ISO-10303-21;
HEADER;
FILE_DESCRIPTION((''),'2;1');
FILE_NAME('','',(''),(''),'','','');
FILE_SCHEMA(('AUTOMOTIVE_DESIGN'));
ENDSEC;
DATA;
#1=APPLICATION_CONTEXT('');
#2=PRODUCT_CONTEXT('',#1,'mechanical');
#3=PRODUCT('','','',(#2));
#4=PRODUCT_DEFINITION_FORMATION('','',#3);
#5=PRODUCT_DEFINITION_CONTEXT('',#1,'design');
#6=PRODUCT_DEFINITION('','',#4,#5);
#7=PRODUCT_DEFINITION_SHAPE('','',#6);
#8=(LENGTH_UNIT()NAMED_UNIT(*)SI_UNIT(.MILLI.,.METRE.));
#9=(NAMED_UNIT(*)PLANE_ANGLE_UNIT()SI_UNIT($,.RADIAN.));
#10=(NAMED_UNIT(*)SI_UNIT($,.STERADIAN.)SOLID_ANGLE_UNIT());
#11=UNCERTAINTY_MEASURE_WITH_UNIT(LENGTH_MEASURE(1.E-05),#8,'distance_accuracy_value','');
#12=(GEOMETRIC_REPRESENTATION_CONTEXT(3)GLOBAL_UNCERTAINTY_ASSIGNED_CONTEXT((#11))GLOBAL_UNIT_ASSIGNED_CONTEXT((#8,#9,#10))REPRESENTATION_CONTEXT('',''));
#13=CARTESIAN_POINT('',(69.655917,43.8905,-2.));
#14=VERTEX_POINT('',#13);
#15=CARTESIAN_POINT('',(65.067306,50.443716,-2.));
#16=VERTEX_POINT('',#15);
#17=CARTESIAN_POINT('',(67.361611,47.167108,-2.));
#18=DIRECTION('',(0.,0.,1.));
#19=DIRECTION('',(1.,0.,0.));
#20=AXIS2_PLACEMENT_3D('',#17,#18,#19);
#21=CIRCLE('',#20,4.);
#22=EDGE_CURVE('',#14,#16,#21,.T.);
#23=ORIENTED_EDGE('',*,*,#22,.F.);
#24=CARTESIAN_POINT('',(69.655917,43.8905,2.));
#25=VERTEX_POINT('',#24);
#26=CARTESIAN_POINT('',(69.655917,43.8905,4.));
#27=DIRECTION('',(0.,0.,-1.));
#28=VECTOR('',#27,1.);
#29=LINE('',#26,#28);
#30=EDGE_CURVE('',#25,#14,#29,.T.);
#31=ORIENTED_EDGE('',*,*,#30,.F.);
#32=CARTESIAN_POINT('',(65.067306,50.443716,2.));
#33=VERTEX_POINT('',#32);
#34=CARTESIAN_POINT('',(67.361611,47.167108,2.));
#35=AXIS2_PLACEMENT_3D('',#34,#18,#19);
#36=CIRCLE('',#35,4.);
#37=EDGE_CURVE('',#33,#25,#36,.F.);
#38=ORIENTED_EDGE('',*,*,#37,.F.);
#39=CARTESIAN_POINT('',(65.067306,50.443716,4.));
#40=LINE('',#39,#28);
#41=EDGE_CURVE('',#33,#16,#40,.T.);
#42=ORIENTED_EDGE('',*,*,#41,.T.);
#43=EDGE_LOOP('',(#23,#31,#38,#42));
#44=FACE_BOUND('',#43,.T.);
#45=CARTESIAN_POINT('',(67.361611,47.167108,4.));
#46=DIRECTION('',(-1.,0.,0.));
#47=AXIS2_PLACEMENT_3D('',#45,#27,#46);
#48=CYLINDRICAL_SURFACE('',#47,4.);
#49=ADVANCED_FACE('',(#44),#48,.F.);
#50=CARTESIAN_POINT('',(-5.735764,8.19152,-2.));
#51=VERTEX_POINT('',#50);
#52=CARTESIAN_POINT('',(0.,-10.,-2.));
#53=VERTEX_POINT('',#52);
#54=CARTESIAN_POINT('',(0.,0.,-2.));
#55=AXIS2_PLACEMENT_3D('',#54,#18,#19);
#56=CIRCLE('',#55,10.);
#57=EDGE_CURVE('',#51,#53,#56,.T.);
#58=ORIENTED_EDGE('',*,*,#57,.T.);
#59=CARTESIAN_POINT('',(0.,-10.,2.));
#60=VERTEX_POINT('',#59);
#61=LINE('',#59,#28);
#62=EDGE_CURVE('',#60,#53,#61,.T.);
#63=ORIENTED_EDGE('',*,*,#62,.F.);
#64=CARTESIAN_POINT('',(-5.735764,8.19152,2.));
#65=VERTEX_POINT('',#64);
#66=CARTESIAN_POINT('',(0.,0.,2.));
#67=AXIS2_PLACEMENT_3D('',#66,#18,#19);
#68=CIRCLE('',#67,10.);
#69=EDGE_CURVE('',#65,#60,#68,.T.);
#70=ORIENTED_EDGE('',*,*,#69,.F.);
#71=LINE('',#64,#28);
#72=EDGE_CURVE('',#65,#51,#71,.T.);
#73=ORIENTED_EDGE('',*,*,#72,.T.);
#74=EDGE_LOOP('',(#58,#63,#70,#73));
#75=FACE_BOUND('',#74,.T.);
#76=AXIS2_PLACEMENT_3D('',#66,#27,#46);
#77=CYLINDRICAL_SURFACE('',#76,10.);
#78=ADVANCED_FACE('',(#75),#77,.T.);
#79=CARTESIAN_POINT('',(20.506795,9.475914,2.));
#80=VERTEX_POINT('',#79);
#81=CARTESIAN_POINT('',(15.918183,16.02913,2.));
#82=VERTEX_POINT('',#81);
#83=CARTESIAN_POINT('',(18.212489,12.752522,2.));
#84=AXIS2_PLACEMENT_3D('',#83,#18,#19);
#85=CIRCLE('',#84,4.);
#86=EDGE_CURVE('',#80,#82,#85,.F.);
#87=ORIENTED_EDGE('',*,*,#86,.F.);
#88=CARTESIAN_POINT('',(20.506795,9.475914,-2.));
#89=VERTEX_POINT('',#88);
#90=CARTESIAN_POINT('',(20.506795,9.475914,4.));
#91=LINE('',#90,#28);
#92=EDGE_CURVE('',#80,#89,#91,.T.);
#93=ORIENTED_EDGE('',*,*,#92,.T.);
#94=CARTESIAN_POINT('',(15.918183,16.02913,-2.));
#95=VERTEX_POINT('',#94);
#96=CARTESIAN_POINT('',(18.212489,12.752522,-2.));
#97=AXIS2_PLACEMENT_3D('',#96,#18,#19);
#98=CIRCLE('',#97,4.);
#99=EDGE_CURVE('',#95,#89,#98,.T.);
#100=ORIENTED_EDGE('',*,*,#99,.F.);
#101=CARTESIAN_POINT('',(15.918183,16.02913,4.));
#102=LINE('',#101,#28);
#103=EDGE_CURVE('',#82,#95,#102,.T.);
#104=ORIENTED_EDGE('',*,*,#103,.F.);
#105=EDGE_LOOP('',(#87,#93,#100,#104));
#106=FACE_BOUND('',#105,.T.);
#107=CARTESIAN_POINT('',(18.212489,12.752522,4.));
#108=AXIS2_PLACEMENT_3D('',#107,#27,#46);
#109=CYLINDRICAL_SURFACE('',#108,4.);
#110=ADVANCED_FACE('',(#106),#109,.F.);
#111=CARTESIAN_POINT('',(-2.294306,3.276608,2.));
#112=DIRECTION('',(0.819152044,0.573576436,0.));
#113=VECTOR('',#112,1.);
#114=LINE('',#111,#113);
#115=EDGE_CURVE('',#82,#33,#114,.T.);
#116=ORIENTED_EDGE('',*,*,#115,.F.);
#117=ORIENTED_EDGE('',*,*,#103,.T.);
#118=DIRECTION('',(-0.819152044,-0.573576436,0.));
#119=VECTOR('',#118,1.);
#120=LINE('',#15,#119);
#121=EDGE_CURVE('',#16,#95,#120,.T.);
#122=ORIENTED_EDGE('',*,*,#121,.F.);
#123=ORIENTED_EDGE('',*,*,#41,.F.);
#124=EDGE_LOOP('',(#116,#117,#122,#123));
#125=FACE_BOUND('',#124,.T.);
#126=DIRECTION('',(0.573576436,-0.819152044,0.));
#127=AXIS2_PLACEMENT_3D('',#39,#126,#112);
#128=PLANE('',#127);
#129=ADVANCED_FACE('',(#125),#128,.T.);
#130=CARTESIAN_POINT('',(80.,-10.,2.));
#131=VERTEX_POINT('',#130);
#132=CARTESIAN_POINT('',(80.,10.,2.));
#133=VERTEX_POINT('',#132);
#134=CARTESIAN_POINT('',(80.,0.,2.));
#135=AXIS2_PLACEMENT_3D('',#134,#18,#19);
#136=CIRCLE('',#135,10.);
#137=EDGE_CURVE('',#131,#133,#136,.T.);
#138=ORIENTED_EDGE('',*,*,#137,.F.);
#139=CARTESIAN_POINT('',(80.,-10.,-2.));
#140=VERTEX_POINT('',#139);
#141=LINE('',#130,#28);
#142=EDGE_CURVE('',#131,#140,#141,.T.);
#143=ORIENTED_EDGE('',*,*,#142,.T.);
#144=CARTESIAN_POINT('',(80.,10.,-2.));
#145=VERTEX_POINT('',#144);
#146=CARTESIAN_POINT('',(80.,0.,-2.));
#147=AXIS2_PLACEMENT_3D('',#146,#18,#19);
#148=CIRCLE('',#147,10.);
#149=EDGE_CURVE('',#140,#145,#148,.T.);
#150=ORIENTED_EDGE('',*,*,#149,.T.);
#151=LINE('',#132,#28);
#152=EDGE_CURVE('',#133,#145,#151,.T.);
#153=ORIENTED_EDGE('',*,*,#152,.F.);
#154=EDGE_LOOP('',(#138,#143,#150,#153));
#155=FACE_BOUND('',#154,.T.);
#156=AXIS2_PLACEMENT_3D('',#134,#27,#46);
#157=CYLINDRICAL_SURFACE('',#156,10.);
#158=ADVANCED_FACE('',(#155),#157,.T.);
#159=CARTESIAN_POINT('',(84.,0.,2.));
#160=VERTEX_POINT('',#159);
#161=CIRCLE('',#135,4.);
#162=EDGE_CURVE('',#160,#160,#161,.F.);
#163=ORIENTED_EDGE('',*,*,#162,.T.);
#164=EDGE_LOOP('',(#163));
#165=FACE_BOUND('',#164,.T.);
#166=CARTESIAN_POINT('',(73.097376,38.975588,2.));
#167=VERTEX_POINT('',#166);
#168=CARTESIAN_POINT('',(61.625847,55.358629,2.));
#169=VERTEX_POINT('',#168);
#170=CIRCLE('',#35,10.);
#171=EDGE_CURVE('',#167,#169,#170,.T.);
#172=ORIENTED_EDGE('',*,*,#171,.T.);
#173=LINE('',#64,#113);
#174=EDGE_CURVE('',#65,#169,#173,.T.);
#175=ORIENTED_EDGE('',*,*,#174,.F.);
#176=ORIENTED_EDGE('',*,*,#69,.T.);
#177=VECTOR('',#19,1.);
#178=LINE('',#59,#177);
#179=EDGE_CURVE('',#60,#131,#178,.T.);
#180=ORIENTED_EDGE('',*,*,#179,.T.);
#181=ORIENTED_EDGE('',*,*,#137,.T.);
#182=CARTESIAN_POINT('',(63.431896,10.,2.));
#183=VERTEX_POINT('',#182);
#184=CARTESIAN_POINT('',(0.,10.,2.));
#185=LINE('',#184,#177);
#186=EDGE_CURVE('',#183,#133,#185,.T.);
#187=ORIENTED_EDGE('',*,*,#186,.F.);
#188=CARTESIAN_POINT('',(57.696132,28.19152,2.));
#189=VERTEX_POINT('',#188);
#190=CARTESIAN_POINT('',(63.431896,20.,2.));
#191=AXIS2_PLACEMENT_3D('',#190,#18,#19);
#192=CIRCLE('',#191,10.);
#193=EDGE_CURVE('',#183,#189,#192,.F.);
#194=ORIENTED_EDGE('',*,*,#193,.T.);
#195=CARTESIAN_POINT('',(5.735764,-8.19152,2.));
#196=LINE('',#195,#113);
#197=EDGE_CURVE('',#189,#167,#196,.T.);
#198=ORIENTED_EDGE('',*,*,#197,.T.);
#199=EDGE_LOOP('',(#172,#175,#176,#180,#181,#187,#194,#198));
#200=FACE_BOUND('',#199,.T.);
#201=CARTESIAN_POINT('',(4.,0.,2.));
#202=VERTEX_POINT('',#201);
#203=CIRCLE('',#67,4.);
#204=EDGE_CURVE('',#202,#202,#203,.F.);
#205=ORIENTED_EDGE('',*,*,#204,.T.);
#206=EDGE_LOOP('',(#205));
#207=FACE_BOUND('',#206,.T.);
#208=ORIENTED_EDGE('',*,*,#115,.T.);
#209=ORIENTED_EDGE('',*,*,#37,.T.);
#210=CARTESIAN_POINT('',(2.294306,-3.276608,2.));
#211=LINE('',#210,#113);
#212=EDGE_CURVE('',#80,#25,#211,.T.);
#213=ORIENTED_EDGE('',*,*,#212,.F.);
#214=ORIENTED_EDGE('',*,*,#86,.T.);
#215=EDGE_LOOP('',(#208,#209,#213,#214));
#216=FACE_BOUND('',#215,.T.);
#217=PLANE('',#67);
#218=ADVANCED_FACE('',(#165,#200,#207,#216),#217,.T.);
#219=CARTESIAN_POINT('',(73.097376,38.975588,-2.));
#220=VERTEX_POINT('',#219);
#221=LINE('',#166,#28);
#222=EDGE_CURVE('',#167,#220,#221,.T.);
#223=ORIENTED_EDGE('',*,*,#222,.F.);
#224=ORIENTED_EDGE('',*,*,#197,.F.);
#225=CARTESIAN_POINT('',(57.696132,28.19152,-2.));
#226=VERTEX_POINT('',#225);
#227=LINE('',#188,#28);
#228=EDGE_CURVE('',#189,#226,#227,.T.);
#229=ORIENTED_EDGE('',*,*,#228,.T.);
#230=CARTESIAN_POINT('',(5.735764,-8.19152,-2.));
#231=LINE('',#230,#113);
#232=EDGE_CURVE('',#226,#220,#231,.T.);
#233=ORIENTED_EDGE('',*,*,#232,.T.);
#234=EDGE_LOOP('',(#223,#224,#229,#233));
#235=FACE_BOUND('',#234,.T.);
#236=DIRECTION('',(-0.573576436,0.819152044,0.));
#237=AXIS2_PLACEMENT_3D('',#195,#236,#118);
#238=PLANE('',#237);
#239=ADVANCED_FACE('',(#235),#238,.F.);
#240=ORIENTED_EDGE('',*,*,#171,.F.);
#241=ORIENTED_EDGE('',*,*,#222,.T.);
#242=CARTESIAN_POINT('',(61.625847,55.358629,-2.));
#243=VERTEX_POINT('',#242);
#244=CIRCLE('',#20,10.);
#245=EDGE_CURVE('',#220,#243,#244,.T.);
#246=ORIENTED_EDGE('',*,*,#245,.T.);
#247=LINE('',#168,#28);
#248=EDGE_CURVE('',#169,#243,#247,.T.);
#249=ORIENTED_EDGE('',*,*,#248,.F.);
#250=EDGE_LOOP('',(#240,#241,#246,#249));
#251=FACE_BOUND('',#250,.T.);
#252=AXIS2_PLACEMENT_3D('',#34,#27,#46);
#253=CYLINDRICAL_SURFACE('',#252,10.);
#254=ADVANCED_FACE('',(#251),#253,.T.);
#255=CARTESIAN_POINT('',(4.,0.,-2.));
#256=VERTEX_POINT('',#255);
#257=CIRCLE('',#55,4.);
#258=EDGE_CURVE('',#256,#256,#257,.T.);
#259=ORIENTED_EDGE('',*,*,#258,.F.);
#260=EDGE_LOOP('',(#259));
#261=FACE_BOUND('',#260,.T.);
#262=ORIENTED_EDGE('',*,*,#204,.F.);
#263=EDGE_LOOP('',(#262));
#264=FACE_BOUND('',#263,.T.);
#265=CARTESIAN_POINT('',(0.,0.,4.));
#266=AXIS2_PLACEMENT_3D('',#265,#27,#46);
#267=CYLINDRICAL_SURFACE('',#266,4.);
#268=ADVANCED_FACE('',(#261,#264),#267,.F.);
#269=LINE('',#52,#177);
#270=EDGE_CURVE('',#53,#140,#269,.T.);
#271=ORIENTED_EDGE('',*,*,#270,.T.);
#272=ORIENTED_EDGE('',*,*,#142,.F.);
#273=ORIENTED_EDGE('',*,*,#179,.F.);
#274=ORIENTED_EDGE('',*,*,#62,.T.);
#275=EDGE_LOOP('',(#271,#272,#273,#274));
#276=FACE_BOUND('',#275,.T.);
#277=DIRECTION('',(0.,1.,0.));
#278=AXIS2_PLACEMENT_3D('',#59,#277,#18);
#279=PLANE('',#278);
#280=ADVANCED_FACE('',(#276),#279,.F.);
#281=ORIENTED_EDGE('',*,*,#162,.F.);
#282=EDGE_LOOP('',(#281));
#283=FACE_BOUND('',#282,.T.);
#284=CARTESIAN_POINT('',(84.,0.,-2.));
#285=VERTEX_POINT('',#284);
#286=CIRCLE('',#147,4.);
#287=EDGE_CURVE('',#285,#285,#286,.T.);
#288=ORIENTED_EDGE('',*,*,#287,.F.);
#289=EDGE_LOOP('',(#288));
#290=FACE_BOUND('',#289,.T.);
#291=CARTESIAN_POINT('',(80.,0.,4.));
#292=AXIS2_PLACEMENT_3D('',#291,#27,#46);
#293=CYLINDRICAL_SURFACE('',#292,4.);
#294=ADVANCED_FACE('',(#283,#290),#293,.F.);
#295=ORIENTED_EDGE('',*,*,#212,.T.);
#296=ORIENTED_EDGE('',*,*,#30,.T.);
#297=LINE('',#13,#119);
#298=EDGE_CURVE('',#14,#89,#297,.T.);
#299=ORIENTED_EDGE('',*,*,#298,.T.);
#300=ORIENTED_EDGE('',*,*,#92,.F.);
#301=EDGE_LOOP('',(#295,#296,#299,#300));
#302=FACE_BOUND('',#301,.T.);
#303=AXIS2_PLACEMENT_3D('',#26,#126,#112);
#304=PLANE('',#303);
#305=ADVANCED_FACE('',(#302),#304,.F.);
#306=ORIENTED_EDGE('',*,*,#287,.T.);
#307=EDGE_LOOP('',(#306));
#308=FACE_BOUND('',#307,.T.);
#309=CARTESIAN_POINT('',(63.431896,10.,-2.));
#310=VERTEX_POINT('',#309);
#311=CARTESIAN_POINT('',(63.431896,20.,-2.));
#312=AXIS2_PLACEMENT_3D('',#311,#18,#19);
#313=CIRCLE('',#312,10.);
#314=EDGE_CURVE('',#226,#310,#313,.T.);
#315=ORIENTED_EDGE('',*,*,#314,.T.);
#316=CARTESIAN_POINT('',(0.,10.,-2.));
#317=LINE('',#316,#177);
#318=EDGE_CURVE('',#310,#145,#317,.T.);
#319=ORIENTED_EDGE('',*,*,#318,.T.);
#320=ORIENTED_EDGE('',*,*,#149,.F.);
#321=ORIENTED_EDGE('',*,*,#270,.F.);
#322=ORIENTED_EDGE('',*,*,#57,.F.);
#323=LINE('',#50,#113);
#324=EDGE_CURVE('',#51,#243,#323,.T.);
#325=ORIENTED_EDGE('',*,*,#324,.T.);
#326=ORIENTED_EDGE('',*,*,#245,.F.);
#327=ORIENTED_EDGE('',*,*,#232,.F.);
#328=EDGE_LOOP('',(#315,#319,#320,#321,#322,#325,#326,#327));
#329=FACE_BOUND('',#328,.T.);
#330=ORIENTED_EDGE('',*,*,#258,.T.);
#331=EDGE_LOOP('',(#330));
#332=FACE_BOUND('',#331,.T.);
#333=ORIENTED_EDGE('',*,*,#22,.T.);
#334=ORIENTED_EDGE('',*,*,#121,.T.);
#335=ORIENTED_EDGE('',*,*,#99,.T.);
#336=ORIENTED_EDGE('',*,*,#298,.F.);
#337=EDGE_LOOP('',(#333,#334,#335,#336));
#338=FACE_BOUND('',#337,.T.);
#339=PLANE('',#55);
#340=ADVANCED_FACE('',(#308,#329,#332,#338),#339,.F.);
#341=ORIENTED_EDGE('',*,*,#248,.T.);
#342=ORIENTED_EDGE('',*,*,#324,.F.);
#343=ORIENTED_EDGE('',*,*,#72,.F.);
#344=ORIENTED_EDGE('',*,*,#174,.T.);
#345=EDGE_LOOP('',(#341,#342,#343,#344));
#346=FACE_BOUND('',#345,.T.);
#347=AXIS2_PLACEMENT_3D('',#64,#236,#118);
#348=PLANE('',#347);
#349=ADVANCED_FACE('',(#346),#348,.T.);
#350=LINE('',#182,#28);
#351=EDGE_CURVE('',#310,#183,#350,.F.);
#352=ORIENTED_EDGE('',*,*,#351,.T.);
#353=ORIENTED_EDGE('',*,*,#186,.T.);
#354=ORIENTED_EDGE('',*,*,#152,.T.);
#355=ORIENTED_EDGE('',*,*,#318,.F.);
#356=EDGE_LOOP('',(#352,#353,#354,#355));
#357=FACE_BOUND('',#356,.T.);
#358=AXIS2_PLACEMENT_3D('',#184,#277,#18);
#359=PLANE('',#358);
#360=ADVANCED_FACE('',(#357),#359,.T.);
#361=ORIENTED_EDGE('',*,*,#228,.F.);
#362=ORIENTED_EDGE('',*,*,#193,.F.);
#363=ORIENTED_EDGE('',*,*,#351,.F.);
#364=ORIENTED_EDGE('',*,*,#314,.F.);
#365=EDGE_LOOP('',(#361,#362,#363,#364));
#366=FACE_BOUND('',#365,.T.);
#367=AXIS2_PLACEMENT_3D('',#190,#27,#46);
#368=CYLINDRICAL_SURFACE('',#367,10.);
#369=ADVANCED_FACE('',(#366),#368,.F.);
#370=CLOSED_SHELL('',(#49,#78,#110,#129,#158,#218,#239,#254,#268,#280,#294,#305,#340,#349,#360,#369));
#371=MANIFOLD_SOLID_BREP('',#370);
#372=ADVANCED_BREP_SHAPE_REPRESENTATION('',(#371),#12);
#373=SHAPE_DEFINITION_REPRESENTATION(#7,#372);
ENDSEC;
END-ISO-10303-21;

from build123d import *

# Parameters (mm, degrees)
BOSS_EXTRUDE1_DEPTH     = 2
CUT_EXTRUDE1_DEPTH      = 4
CUT_EXTRUDE1_DEPTH_BACK = 107.639946795
SKETCH2_R               = 4
FILLET1_R               = 10


with BuildPart() as part:
    # Sketch1 → Boss-Extrude1 (new, symmetric)
    with BuildSketch(Plane.XY):
        with BuildLine():
            Line((61.625847103, 55.358628577), (-5.735764364, 8.191520443))
            ThreePointArc((-5.735764364, 8.191520443), (-3.007057995, 9.537169507), (0, 10))
            Line((0, 10), (31.715948024, 10))
            Line((31.715948024, 10), (73.09737583, 38.975587692))
            ThreePointArc((73.09737583, 38.975587692), (75.553131909, 52.902872498), (61.625847103, 55.358628577))
        make_face()
        with BuildLine():
            ThreePointArc((0, 10), (-3.007057995, 9.537169507), (-5.735764364, 8.191520443))
            ThreePointArc((-5.735764364, 8.191520443), (-9.537169507, -3.007057995), (0, -10))
            ThreePointArc((0, -10), (3.007057995, -9.537169507), (5.735764364, -8.191520443))
            Line((5.735764364, -8.191520443), (31.715948024, 10))
            Line((31.715948024, 10), (0, 10))
        make_face()
        with BuildLine():
            ThreePointArc((5.735764364, -8.191520443), (3.007057995, -9.537169507), (0, -10))
            Line((0, -10), (80, -10))
            ThreePointArc((80, -10), (90, 0), (80, 10))
            Line((80, 10), (31.715948024, 10))
            Line((31.715948024, 10), (5.735764364, -8.191520443))
        make_face()
    extrude(amount=BOSS_EXTRUDE1_DEPTH, both=True)

    # Sketch2 → Cut-Extrude1 (cut, two sides: drawn at the far end of the back side and taken through both)
    with BuildSketch(Plane.XY.offset(-CUT_EXTRUDE1_DEPTH_BACK)):
        Circle(SKETCH2_R)
        with Locations((80, 0)):
            Circle(SKETCH2_R)
        with BuildLine():
            Line((69.655917211, 43.890499957), (20.506794554, 9.475913776))
            ThreePointArc((20.506794554, 9.475913776), (14.935880632, 10.458216208), (15.918183063, 16.029130131))
            Line((15.918183063, 16.029130131), (65.067305721, 50.443716312))
            ThreePointArc((65.067305721, 50.443716312), (70.638219643, 49.46141388), (69.655917211, 43.890499957))
        make_face()
    extrude(amount=CUT_EXTRUDE1_DEPTH + CUT_EXTRUDE1_DEPTH_BACK, mode=Mode.SUBTRACT)

    # Fillet1
    fillet1_edges = [part.edges().sort_by_distance(p)[0] for p in [
        (31.715948024, 10, 0),
    ]]
    fillet(fillet1_edges, radius=FILLET1_R)


solid = part.part
